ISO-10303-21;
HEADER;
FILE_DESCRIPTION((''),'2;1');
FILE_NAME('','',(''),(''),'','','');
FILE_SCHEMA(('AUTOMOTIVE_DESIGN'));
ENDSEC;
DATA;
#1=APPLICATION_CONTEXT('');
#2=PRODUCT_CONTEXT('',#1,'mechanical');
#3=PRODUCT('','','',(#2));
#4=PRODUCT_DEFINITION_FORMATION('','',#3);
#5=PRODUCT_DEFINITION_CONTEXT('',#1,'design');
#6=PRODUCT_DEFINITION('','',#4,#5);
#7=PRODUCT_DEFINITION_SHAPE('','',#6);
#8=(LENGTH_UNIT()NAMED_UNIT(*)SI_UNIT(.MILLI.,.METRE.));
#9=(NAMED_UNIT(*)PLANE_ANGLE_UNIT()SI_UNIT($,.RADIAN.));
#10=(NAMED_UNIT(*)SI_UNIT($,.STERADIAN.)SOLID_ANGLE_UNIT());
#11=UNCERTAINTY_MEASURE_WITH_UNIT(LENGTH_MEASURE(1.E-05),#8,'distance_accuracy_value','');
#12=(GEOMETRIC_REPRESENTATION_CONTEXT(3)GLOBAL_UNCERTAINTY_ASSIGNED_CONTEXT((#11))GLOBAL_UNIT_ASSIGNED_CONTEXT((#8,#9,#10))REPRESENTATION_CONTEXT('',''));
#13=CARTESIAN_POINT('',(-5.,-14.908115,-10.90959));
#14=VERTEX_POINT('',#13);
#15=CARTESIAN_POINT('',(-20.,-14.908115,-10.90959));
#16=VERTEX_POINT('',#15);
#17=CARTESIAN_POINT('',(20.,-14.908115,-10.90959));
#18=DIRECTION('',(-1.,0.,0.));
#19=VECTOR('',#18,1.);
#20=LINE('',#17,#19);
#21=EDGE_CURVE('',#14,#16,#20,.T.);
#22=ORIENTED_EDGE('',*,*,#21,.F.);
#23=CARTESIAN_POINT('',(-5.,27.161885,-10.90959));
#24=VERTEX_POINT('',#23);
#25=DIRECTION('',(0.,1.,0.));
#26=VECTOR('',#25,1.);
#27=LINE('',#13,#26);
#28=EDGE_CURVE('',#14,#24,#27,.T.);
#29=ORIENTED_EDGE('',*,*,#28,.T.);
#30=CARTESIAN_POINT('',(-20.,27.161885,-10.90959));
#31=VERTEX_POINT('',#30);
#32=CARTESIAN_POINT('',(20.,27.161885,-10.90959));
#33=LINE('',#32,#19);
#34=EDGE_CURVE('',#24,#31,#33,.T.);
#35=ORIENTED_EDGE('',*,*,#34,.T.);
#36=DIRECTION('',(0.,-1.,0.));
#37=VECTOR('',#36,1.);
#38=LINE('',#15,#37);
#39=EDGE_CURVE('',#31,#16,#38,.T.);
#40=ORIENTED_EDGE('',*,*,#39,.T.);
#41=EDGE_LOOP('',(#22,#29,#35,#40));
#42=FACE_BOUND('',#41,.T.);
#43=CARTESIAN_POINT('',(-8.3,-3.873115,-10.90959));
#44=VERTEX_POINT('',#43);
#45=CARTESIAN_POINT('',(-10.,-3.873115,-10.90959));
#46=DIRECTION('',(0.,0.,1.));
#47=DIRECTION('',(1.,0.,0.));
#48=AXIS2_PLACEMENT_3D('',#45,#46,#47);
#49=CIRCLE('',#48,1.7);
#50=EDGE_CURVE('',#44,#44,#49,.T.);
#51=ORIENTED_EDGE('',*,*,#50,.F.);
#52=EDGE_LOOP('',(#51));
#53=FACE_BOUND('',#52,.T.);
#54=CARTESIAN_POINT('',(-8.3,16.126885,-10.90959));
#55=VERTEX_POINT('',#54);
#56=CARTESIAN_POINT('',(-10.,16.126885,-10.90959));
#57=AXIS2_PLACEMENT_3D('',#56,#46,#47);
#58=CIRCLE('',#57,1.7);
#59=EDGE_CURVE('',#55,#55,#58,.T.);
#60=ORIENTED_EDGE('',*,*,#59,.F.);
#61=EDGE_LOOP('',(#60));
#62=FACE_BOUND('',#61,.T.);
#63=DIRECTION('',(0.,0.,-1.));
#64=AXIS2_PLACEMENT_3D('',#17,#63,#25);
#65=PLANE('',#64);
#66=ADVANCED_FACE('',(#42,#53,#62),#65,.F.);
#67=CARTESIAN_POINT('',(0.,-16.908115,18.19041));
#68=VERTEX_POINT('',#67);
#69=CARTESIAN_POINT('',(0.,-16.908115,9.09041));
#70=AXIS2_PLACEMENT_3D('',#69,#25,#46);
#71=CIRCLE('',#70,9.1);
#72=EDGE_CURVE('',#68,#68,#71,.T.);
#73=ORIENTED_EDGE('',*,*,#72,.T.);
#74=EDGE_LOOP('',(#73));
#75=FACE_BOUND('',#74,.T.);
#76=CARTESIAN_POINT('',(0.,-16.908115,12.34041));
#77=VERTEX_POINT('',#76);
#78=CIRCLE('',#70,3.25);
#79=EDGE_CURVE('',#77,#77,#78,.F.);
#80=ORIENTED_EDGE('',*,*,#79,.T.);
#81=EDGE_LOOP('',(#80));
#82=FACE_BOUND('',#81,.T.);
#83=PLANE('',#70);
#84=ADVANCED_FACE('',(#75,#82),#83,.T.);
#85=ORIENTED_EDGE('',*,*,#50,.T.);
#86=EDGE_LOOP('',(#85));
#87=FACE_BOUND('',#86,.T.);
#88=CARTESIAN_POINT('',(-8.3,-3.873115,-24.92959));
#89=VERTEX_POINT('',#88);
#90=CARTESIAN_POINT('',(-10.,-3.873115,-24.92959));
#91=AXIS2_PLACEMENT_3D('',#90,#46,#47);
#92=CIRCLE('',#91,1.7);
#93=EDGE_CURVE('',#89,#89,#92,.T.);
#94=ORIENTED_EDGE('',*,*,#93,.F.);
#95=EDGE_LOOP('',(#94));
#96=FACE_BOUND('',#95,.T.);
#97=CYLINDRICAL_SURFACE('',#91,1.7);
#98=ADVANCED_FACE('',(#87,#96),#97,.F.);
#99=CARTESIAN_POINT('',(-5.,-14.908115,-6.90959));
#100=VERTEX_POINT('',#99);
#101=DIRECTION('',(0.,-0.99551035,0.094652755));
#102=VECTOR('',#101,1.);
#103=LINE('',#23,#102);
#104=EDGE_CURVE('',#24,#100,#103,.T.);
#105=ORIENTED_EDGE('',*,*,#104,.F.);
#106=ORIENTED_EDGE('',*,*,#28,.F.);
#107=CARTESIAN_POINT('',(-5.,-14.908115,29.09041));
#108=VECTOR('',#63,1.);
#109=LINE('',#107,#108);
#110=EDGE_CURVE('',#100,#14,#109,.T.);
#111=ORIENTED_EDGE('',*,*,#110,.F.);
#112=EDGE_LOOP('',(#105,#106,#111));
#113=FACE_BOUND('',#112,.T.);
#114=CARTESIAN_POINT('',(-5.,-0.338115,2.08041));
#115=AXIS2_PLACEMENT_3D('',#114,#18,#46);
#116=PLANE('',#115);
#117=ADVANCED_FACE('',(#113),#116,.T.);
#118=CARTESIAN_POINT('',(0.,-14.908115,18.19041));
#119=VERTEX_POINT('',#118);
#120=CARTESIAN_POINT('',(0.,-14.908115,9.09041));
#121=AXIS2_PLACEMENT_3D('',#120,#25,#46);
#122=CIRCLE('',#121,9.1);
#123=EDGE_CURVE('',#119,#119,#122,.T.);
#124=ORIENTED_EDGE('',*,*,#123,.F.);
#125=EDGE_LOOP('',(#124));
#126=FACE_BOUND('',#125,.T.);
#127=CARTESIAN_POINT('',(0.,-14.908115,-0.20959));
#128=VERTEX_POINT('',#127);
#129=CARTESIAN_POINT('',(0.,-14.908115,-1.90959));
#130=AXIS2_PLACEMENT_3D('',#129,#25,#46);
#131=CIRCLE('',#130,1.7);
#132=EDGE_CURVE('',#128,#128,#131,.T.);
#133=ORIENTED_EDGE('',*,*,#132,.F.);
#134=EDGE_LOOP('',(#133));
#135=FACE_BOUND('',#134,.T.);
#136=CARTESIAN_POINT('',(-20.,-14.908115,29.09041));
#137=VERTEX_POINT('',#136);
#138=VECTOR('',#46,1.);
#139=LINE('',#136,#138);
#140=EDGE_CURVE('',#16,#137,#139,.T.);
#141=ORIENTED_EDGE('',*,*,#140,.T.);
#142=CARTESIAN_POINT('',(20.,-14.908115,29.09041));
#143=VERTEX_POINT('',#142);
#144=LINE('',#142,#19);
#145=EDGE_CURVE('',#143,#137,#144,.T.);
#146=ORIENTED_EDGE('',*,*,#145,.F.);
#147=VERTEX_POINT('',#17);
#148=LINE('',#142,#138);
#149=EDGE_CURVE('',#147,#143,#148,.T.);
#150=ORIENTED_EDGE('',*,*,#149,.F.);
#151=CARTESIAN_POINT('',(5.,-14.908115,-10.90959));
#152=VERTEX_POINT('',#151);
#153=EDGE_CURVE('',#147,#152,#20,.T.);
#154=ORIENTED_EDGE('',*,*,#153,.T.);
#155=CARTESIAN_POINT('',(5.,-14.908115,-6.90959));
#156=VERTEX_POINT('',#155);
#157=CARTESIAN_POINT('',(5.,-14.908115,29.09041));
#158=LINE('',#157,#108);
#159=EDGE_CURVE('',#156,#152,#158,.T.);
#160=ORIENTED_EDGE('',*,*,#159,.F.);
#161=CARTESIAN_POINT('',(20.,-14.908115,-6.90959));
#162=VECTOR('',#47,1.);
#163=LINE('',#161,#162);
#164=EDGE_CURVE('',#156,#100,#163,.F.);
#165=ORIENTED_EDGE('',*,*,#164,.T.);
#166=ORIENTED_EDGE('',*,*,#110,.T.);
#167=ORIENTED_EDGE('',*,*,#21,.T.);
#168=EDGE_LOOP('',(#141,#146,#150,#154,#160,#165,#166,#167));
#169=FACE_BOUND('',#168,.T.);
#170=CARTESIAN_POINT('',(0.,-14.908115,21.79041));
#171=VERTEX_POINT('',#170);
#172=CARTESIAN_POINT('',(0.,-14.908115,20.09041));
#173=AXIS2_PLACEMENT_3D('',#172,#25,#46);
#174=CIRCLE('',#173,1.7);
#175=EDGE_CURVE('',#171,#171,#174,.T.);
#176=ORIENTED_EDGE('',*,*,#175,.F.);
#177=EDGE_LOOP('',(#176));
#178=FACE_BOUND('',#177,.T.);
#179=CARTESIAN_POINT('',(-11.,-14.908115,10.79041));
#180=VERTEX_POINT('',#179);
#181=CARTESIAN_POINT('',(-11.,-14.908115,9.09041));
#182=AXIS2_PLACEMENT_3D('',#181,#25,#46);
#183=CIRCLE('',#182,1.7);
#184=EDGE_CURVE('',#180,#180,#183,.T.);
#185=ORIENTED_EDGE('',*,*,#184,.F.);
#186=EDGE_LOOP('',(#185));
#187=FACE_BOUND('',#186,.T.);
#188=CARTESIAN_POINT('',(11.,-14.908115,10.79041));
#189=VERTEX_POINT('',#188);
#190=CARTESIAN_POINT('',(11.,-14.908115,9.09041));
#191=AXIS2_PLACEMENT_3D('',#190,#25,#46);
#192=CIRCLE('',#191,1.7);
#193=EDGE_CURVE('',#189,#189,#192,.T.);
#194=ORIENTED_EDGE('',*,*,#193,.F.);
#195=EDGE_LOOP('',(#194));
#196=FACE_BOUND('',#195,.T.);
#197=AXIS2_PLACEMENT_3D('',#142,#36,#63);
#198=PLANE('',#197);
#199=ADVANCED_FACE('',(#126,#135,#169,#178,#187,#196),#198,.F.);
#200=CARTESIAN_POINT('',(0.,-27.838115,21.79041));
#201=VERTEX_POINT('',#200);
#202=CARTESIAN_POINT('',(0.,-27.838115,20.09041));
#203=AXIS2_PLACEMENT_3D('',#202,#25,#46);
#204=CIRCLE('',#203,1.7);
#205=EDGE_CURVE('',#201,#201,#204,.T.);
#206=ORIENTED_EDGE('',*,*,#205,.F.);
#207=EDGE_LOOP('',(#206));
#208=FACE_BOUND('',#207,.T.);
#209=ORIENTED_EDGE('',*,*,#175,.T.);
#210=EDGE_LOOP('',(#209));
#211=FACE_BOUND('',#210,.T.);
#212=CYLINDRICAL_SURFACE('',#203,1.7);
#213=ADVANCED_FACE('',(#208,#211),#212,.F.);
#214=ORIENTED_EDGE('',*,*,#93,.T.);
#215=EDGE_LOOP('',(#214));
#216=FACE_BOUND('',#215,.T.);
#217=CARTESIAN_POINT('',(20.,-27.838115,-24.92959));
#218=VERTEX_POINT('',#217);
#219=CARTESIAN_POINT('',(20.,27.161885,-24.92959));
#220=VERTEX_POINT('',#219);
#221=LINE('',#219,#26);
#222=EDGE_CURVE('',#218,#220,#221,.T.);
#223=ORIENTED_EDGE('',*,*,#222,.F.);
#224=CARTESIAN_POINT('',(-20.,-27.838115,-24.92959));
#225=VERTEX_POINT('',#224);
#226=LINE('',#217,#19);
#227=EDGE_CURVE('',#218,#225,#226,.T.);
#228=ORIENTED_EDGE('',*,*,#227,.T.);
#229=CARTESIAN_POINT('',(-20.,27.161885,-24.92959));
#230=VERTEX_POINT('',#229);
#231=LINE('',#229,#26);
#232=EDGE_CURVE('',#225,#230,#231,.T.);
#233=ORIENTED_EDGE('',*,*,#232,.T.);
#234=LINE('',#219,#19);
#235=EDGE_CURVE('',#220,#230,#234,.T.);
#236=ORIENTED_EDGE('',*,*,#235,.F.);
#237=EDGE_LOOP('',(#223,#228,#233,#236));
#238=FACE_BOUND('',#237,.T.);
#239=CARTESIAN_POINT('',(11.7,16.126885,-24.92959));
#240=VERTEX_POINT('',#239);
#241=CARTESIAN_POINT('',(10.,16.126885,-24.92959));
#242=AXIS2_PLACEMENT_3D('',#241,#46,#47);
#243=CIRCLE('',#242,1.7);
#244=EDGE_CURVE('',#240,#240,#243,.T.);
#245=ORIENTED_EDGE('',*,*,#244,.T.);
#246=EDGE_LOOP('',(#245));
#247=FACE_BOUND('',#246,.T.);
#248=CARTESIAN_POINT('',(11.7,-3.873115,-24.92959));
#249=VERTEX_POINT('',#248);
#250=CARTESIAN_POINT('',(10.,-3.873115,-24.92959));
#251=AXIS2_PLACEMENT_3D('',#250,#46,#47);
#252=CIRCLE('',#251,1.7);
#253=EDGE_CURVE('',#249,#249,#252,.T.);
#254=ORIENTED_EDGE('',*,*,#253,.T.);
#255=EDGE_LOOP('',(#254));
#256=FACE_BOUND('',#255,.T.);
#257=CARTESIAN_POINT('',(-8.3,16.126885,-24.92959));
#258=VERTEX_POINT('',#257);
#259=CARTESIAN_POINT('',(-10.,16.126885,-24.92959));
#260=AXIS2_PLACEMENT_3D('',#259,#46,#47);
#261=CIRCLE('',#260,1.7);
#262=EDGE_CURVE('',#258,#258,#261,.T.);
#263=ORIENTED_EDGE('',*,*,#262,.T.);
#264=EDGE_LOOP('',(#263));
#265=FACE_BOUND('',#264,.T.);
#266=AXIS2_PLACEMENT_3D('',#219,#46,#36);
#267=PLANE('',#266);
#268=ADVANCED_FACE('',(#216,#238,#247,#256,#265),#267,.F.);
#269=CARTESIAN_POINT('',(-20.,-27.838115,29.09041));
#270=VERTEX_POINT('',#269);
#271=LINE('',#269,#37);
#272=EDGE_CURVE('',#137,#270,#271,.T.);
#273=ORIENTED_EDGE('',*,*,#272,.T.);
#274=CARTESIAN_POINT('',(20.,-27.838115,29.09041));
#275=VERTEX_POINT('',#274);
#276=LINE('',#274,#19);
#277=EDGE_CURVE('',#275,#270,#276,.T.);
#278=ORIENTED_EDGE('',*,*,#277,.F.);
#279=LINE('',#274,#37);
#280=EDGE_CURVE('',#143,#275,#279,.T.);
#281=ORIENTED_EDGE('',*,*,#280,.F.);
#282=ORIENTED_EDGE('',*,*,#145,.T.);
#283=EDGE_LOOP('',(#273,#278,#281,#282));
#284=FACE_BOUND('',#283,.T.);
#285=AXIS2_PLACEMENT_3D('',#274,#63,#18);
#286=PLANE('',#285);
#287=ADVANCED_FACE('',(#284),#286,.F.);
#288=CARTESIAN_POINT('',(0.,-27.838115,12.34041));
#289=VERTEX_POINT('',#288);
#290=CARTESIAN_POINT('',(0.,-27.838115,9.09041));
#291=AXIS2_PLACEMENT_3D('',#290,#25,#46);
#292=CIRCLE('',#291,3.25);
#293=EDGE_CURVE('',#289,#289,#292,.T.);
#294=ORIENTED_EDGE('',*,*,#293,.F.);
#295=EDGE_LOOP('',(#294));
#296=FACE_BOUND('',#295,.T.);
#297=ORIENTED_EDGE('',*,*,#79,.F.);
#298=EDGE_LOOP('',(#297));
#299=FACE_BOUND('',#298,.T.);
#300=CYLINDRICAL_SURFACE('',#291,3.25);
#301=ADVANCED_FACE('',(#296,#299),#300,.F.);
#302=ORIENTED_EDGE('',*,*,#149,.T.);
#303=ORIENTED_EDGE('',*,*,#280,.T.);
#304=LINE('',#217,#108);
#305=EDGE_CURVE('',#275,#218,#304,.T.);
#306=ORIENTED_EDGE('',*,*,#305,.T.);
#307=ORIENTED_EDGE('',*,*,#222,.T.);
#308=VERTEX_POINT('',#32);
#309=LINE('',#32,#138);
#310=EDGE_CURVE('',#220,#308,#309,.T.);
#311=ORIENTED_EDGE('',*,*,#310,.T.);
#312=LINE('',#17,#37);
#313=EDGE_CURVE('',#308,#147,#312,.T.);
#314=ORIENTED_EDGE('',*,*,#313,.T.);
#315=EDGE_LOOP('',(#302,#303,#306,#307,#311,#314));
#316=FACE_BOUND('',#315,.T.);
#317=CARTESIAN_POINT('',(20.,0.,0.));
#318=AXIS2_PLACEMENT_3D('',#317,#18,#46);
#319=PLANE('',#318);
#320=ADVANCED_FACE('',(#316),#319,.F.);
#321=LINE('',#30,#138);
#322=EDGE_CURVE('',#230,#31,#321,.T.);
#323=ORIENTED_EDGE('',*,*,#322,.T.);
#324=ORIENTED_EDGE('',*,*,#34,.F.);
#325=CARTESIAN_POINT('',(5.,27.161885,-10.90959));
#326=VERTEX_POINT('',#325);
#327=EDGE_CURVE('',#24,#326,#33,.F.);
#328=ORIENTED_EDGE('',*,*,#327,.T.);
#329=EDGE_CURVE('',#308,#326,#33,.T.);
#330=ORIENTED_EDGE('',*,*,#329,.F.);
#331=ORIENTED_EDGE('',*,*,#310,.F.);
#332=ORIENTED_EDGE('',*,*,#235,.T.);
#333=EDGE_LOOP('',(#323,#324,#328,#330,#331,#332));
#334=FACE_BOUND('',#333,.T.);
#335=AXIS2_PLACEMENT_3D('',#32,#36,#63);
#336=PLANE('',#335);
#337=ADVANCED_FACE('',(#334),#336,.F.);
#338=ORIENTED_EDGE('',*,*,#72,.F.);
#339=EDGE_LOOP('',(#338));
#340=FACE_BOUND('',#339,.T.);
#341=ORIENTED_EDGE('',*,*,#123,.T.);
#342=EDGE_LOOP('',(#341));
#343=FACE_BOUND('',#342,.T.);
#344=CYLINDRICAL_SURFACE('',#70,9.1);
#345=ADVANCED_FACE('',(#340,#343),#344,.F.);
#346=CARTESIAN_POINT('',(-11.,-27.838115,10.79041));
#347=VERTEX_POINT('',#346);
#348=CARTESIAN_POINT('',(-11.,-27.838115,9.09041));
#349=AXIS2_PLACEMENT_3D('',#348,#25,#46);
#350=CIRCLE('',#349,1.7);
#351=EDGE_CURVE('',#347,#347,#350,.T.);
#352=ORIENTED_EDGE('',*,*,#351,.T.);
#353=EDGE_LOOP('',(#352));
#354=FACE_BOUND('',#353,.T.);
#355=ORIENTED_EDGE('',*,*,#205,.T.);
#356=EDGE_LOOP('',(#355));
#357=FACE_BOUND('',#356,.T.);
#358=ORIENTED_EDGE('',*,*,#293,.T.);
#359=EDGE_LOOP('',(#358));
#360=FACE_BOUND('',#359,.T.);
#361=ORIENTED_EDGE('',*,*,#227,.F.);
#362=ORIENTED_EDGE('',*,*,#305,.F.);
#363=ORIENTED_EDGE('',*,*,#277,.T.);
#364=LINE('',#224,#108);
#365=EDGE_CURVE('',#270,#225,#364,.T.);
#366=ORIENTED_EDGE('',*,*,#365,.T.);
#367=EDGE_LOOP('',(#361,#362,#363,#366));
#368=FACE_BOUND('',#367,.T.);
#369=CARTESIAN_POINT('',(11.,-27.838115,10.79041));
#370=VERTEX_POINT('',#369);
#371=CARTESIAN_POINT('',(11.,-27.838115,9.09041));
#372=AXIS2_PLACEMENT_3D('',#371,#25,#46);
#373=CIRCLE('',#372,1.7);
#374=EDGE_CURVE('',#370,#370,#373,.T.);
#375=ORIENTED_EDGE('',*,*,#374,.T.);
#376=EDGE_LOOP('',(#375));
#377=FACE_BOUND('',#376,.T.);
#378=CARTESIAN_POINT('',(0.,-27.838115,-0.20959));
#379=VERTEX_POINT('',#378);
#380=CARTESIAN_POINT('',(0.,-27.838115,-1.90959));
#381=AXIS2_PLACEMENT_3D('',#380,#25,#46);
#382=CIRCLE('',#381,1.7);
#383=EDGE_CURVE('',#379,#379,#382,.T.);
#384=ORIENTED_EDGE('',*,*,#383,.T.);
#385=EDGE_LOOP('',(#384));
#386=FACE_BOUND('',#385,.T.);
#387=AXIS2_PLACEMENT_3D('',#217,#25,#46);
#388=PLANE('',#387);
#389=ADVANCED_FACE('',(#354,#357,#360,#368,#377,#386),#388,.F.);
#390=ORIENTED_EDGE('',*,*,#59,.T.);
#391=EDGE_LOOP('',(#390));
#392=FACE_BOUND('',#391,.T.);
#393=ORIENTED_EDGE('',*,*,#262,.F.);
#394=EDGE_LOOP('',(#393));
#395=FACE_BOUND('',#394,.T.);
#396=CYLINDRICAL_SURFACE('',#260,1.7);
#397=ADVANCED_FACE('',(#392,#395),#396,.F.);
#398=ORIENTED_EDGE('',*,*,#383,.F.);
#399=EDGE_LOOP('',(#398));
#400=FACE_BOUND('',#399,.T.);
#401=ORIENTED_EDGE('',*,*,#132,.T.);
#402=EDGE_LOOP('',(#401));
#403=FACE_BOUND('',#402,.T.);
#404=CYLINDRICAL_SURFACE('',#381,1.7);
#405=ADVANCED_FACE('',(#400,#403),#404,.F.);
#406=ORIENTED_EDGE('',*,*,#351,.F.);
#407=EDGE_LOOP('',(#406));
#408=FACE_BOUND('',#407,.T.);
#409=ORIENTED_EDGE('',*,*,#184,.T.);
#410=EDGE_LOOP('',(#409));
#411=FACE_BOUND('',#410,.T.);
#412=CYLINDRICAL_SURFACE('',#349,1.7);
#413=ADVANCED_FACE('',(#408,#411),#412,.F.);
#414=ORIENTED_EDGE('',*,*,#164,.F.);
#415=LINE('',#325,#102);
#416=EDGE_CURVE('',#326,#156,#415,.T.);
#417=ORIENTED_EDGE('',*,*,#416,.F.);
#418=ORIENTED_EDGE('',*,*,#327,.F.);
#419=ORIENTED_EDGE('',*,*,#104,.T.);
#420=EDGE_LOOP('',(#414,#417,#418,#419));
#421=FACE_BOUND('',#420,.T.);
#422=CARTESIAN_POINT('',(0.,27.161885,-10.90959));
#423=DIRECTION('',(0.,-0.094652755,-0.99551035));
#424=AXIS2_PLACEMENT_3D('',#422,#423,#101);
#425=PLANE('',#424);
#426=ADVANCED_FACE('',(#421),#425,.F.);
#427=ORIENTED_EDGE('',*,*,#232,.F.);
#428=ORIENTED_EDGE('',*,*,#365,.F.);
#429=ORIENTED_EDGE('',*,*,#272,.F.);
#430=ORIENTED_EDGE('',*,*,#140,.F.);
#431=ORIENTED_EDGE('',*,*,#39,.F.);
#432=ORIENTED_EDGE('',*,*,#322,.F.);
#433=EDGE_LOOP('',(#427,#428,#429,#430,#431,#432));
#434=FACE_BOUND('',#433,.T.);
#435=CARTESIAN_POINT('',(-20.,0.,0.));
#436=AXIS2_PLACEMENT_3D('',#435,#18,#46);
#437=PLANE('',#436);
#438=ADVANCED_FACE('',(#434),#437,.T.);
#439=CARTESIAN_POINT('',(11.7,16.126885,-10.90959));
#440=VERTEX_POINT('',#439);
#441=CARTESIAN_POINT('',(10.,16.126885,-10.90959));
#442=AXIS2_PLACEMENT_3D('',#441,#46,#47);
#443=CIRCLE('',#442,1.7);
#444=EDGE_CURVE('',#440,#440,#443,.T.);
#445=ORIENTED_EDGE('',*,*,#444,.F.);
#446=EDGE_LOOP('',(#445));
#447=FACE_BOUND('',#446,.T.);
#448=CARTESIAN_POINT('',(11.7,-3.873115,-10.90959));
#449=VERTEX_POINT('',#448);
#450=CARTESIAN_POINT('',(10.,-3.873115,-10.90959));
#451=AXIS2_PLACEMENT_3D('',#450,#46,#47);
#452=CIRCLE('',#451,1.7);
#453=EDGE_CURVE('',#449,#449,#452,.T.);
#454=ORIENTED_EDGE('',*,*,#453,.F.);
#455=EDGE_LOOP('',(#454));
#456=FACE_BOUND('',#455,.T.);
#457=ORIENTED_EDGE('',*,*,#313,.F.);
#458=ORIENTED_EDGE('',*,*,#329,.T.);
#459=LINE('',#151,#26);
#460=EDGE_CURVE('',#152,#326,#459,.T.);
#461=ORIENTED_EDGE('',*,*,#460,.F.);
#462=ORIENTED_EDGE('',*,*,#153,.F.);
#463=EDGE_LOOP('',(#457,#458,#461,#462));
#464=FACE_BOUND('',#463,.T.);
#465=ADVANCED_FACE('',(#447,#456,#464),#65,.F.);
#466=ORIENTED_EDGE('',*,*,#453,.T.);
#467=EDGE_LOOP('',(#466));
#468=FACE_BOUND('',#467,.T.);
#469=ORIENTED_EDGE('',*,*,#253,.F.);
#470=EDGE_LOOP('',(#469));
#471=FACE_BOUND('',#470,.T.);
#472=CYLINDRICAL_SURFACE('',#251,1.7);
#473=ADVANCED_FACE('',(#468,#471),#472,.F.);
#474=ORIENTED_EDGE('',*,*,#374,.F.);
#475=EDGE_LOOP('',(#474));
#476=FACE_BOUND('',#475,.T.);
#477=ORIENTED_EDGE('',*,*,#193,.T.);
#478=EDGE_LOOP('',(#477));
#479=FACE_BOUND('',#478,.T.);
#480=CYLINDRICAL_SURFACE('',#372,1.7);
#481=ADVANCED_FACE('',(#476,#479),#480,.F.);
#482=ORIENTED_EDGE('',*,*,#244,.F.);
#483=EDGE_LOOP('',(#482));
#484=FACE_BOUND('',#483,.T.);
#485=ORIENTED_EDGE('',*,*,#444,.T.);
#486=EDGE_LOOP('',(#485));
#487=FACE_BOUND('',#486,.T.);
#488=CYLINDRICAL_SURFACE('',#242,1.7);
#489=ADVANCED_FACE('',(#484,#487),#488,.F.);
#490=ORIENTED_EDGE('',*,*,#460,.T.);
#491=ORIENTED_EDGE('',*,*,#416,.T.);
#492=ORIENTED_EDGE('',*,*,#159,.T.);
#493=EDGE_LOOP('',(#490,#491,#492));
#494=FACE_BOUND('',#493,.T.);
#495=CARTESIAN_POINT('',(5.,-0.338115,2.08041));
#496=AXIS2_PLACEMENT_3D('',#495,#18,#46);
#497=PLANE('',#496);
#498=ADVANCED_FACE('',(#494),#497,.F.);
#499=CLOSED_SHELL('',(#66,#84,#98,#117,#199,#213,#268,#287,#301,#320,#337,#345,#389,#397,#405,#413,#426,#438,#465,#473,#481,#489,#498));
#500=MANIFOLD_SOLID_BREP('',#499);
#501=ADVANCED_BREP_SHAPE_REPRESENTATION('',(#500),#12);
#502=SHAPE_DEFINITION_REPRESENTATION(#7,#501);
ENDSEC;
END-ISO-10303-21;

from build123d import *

# Parameters (mm, degrees)
BOSS_EXTRUDE1_DEPTH = 20
SKETCH2_R           = 3.25
CUT_EXTRUDE1_DEPTH  = 55.919366752
SKETCH3_R           = 9.1
CUT_EXTRUDE2_DEPTH  = 2
SKETCH4_R           = 1.7
CUT_EXTRUDE3_DEPTH  = 55.919366752
SKETCH5_R           = 1.7
CUT_EXTRUDE4_DEPTH  = 53.677895109
RIB26_REACH         = 46.958
SKETCH15_WALL_W     = 134.175527088
SKETCH15_WALL_H     = 10


with BuildPart() as part:
    # Sketch1 → Boss-Extrude1 (new, symmetric)
    with BuildSketch(Plane(origin=(0, 0, 0), x_dir=(0, 0, -1), z_dir=(1, 0, 0))):
        Polygon((24.929590164, 27.161885246), (24.929590164, -27.838114754), (-29.090409836, -27.838114754), (-29.090409836, -14.908114754), (10.909590164, -14.908114754), (10.909590164, 27.161885246), align=None)
    extrude(amount=BOSS_EXTRUDE1_DEPTH, both=True)

    # Sketch2 → Cut-Extrude1 (cut, through all)
    with BuildSketch(Plane(origin=(0, -14.908114754, 0), x_dir=(1, 0, 0), z_dir=(0, 1, 0))):
        with Locations(Location((0, -9.090409836, 0), (0, 0, 270))):
            Circle(SKETCH2_R)
    extrude(amount=-CUT_EXTRUDE1_DEPTH, mode=Mode.SUBTRACT)

    # Sketch3 → Cut-Extrude2 (cut)
    with BuildSketch(Plane(origin=(0, -14.908114754, 0), x_dir=(1, 0, 0), z_dir=(0, 1, 0))):
        with Locations(Location((0, -9.090409836, 0), (0, 0, 270))):
            Circle(SKETCH3_R)
    extrude(amount=-CUT_EXTRUDE2_DEPTH, mode=Mode.SUBTRACT)

    # Sketch4 → Cut-Extrude3 (cut, through all)
    with BuildSketch(Plane(origin=(0, -14.908114754, 0), x_dir=(1, 0, 0), z_dir=(0, 1, 0))):
        with Locations(Location((0, 1.909590164, 0), (0, 0, 270))):
            Circle(SKETCH4_R)
        with Locations(Location((11, -9.090409836, 0), (0, 0, 270))):
            Circle(SKETCH4_R)
        with Locations(Location((0, -20.090409836, 0), (0, 0, 270))):
            Circle(SKETCH4_R)
        with Locations(Location((-11, -9.090409836, 0), (0, 0, 270))):
            Circle(SKETCH4_R)
    extrude(amount=-CUT_EXTRUDE3_DEPTH, mode=Mode.SUBTRACT)

    # Sketch5 → Cut-Extrude4 (cut, through all)
    with BuildSketch(Plane.XY.offset(-10.909590164)):
        with Locations((-10, 16.126885246)):
            Circle(SKETCH5_R)
        with Locations((10, 16.126885246)):
            Circle(SKETCH5_R)
        with Locations((10, -3.873114754)):
            Circle(SKETCH5_R)
        with Locations((-10, -3.873114754)):
            Circle(SKETCH5_R)
    extrude(amount=-CUT_EXTRUDE4_DEPTH, mode=Mode.SUBTRACT)

    # Sketch15 wall → Rib26 (add, up to next)
    with BuildSketch(Plane(origin=(0, 6.126885246, -8.909590164), x_dir=(0, -0.995510349515, 0.094652754886), z_dir=(0, 0.094652754886, 0.995510349515)), mode=Mode.PRIVATE) as rib26_sk1:
        Rectangle(SKETCH15_WALL_W, SKETCH15_WALL_H)
    rib26_tool1 = extrude(rib26_sk1.sketch, amount=-RIB26_REACH, mode=Mode.PRIVATE) - part.part
    add(rib26_tool1.solids().sort_by_distance((0, 6.126885246, -8.909590164))[0])


solid = part.part
